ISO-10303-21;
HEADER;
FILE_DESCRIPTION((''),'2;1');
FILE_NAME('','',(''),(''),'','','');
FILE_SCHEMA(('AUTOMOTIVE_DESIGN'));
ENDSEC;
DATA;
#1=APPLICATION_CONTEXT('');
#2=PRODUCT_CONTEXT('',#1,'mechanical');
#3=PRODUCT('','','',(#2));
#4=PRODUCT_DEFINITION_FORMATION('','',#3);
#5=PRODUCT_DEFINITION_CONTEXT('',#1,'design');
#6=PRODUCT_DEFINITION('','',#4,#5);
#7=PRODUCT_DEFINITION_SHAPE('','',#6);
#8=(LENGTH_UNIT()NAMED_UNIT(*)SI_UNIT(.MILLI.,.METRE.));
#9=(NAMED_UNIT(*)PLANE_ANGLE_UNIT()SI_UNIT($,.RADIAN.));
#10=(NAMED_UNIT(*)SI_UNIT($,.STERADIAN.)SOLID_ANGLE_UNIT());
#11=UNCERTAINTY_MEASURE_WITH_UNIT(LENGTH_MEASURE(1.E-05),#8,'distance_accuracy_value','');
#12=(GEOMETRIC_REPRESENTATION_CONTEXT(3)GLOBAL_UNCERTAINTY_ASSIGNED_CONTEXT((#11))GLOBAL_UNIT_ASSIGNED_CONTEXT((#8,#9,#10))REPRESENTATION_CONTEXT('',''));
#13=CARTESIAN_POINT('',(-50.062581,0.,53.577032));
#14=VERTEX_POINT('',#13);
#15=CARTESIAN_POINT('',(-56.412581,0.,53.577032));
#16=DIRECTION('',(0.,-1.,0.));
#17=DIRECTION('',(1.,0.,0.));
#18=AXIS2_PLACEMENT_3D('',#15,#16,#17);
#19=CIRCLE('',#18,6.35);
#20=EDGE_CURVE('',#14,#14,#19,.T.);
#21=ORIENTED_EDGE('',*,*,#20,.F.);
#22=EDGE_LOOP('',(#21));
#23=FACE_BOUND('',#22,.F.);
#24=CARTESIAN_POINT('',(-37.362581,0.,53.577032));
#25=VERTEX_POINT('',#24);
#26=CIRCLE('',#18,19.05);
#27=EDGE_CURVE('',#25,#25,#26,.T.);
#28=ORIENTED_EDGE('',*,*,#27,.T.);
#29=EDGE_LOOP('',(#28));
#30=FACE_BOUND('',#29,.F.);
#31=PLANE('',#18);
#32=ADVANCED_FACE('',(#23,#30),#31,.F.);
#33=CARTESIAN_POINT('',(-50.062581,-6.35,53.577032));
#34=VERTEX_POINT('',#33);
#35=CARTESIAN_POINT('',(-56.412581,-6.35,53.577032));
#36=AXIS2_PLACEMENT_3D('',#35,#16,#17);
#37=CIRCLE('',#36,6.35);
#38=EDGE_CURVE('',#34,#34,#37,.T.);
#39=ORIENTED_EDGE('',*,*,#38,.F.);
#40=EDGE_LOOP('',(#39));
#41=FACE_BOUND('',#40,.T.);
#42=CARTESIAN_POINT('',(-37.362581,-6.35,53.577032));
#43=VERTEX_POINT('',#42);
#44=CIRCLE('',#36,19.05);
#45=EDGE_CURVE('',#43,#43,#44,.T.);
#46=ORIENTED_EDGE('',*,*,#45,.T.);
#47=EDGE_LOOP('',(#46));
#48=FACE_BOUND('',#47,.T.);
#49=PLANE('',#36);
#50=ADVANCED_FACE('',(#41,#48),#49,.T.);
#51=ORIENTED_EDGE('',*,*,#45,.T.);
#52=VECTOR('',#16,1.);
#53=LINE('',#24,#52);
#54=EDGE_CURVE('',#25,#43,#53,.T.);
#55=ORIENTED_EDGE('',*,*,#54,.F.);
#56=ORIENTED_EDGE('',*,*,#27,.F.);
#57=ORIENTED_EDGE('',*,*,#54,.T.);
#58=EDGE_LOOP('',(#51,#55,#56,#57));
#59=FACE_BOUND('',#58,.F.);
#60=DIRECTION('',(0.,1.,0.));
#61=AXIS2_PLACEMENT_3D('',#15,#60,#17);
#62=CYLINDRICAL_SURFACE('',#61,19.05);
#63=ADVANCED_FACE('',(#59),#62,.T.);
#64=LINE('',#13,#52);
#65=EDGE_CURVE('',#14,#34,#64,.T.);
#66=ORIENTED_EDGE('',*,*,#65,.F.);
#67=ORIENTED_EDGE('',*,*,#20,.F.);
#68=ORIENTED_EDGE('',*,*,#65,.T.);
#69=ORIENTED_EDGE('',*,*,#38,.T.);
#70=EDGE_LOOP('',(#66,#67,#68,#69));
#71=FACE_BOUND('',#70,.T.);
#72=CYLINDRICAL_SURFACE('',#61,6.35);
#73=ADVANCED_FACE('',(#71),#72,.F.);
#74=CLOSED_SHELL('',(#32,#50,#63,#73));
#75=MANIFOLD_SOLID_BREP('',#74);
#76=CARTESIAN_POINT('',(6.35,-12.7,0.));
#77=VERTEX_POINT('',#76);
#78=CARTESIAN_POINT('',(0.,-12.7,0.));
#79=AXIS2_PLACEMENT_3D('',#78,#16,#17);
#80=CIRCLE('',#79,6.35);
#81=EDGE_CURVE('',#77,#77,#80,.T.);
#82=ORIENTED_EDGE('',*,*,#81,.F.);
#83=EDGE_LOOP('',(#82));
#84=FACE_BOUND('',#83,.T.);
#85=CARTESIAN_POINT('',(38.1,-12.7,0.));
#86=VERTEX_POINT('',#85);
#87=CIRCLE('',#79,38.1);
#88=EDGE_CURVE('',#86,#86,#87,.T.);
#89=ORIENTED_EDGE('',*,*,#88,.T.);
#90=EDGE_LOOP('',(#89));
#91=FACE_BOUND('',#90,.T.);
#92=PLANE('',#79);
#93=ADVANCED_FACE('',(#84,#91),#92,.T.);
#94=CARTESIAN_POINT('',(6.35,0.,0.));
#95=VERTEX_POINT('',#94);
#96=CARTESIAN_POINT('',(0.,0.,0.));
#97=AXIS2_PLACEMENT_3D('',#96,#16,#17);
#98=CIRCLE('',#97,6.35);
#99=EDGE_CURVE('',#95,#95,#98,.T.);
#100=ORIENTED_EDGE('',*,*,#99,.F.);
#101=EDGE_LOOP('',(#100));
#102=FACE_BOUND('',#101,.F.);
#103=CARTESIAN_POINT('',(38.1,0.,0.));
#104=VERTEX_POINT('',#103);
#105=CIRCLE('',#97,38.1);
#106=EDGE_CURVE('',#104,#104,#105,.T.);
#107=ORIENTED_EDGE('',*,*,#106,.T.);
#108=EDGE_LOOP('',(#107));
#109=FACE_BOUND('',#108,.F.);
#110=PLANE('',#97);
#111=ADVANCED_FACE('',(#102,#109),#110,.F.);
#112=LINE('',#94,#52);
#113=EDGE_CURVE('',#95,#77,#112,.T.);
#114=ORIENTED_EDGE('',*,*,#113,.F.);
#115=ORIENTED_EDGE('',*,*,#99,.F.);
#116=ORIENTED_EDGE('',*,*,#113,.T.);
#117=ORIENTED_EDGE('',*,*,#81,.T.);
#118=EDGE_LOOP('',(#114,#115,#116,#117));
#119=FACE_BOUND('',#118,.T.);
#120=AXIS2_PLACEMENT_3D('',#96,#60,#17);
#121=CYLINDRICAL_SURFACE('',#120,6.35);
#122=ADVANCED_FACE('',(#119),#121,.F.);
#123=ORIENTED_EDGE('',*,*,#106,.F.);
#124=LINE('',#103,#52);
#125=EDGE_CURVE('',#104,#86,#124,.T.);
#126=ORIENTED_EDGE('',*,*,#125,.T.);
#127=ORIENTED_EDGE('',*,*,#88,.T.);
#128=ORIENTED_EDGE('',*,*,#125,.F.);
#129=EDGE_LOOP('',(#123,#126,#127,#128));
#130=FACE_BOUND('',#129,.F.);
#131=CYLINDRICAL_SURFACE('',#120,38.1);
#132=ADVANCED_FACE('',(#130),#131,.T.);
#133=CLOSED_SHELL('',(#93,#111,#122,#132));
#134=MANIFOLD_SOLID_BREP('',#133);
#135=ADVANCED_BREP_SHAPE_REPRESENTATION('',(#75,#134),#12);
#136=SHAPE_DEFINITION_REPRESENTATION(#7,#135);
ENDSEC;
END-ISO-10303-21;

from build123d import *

# Parameters (mm, degrees)
F1_R     = 19.05
F1_R_2   = 6.35
F2_DEPTH = 6.35
F0_R     = 38.1
F0_R_2   = 6.35
F3_DEPTH = 12.7


with BuildPart() as f2:
    # F1 (on Front) → F2 (new body)
    with BuildSketch(Plane.XZ):
        with Locations((-56.412581, 53.577032)):
            Circle(F1_R)
        with Locations((-56.412581, 53.577032)):
            Circle(F1_R_2, mode=Mode.SUBTRACT)
    extrude(amount=F2_DEPTH)


with BuildPart() as f3:
    # F0 (on Front) → F3 (new body)
    with BuildSketch(Plane.XZ):
        Circle(F0_R)
        Circle(F0_R_2, mode=Mode.SUBTRACT)
    extrude(amount=F3_DEPTH)


solid = Compound([f2.part, f3.part])
